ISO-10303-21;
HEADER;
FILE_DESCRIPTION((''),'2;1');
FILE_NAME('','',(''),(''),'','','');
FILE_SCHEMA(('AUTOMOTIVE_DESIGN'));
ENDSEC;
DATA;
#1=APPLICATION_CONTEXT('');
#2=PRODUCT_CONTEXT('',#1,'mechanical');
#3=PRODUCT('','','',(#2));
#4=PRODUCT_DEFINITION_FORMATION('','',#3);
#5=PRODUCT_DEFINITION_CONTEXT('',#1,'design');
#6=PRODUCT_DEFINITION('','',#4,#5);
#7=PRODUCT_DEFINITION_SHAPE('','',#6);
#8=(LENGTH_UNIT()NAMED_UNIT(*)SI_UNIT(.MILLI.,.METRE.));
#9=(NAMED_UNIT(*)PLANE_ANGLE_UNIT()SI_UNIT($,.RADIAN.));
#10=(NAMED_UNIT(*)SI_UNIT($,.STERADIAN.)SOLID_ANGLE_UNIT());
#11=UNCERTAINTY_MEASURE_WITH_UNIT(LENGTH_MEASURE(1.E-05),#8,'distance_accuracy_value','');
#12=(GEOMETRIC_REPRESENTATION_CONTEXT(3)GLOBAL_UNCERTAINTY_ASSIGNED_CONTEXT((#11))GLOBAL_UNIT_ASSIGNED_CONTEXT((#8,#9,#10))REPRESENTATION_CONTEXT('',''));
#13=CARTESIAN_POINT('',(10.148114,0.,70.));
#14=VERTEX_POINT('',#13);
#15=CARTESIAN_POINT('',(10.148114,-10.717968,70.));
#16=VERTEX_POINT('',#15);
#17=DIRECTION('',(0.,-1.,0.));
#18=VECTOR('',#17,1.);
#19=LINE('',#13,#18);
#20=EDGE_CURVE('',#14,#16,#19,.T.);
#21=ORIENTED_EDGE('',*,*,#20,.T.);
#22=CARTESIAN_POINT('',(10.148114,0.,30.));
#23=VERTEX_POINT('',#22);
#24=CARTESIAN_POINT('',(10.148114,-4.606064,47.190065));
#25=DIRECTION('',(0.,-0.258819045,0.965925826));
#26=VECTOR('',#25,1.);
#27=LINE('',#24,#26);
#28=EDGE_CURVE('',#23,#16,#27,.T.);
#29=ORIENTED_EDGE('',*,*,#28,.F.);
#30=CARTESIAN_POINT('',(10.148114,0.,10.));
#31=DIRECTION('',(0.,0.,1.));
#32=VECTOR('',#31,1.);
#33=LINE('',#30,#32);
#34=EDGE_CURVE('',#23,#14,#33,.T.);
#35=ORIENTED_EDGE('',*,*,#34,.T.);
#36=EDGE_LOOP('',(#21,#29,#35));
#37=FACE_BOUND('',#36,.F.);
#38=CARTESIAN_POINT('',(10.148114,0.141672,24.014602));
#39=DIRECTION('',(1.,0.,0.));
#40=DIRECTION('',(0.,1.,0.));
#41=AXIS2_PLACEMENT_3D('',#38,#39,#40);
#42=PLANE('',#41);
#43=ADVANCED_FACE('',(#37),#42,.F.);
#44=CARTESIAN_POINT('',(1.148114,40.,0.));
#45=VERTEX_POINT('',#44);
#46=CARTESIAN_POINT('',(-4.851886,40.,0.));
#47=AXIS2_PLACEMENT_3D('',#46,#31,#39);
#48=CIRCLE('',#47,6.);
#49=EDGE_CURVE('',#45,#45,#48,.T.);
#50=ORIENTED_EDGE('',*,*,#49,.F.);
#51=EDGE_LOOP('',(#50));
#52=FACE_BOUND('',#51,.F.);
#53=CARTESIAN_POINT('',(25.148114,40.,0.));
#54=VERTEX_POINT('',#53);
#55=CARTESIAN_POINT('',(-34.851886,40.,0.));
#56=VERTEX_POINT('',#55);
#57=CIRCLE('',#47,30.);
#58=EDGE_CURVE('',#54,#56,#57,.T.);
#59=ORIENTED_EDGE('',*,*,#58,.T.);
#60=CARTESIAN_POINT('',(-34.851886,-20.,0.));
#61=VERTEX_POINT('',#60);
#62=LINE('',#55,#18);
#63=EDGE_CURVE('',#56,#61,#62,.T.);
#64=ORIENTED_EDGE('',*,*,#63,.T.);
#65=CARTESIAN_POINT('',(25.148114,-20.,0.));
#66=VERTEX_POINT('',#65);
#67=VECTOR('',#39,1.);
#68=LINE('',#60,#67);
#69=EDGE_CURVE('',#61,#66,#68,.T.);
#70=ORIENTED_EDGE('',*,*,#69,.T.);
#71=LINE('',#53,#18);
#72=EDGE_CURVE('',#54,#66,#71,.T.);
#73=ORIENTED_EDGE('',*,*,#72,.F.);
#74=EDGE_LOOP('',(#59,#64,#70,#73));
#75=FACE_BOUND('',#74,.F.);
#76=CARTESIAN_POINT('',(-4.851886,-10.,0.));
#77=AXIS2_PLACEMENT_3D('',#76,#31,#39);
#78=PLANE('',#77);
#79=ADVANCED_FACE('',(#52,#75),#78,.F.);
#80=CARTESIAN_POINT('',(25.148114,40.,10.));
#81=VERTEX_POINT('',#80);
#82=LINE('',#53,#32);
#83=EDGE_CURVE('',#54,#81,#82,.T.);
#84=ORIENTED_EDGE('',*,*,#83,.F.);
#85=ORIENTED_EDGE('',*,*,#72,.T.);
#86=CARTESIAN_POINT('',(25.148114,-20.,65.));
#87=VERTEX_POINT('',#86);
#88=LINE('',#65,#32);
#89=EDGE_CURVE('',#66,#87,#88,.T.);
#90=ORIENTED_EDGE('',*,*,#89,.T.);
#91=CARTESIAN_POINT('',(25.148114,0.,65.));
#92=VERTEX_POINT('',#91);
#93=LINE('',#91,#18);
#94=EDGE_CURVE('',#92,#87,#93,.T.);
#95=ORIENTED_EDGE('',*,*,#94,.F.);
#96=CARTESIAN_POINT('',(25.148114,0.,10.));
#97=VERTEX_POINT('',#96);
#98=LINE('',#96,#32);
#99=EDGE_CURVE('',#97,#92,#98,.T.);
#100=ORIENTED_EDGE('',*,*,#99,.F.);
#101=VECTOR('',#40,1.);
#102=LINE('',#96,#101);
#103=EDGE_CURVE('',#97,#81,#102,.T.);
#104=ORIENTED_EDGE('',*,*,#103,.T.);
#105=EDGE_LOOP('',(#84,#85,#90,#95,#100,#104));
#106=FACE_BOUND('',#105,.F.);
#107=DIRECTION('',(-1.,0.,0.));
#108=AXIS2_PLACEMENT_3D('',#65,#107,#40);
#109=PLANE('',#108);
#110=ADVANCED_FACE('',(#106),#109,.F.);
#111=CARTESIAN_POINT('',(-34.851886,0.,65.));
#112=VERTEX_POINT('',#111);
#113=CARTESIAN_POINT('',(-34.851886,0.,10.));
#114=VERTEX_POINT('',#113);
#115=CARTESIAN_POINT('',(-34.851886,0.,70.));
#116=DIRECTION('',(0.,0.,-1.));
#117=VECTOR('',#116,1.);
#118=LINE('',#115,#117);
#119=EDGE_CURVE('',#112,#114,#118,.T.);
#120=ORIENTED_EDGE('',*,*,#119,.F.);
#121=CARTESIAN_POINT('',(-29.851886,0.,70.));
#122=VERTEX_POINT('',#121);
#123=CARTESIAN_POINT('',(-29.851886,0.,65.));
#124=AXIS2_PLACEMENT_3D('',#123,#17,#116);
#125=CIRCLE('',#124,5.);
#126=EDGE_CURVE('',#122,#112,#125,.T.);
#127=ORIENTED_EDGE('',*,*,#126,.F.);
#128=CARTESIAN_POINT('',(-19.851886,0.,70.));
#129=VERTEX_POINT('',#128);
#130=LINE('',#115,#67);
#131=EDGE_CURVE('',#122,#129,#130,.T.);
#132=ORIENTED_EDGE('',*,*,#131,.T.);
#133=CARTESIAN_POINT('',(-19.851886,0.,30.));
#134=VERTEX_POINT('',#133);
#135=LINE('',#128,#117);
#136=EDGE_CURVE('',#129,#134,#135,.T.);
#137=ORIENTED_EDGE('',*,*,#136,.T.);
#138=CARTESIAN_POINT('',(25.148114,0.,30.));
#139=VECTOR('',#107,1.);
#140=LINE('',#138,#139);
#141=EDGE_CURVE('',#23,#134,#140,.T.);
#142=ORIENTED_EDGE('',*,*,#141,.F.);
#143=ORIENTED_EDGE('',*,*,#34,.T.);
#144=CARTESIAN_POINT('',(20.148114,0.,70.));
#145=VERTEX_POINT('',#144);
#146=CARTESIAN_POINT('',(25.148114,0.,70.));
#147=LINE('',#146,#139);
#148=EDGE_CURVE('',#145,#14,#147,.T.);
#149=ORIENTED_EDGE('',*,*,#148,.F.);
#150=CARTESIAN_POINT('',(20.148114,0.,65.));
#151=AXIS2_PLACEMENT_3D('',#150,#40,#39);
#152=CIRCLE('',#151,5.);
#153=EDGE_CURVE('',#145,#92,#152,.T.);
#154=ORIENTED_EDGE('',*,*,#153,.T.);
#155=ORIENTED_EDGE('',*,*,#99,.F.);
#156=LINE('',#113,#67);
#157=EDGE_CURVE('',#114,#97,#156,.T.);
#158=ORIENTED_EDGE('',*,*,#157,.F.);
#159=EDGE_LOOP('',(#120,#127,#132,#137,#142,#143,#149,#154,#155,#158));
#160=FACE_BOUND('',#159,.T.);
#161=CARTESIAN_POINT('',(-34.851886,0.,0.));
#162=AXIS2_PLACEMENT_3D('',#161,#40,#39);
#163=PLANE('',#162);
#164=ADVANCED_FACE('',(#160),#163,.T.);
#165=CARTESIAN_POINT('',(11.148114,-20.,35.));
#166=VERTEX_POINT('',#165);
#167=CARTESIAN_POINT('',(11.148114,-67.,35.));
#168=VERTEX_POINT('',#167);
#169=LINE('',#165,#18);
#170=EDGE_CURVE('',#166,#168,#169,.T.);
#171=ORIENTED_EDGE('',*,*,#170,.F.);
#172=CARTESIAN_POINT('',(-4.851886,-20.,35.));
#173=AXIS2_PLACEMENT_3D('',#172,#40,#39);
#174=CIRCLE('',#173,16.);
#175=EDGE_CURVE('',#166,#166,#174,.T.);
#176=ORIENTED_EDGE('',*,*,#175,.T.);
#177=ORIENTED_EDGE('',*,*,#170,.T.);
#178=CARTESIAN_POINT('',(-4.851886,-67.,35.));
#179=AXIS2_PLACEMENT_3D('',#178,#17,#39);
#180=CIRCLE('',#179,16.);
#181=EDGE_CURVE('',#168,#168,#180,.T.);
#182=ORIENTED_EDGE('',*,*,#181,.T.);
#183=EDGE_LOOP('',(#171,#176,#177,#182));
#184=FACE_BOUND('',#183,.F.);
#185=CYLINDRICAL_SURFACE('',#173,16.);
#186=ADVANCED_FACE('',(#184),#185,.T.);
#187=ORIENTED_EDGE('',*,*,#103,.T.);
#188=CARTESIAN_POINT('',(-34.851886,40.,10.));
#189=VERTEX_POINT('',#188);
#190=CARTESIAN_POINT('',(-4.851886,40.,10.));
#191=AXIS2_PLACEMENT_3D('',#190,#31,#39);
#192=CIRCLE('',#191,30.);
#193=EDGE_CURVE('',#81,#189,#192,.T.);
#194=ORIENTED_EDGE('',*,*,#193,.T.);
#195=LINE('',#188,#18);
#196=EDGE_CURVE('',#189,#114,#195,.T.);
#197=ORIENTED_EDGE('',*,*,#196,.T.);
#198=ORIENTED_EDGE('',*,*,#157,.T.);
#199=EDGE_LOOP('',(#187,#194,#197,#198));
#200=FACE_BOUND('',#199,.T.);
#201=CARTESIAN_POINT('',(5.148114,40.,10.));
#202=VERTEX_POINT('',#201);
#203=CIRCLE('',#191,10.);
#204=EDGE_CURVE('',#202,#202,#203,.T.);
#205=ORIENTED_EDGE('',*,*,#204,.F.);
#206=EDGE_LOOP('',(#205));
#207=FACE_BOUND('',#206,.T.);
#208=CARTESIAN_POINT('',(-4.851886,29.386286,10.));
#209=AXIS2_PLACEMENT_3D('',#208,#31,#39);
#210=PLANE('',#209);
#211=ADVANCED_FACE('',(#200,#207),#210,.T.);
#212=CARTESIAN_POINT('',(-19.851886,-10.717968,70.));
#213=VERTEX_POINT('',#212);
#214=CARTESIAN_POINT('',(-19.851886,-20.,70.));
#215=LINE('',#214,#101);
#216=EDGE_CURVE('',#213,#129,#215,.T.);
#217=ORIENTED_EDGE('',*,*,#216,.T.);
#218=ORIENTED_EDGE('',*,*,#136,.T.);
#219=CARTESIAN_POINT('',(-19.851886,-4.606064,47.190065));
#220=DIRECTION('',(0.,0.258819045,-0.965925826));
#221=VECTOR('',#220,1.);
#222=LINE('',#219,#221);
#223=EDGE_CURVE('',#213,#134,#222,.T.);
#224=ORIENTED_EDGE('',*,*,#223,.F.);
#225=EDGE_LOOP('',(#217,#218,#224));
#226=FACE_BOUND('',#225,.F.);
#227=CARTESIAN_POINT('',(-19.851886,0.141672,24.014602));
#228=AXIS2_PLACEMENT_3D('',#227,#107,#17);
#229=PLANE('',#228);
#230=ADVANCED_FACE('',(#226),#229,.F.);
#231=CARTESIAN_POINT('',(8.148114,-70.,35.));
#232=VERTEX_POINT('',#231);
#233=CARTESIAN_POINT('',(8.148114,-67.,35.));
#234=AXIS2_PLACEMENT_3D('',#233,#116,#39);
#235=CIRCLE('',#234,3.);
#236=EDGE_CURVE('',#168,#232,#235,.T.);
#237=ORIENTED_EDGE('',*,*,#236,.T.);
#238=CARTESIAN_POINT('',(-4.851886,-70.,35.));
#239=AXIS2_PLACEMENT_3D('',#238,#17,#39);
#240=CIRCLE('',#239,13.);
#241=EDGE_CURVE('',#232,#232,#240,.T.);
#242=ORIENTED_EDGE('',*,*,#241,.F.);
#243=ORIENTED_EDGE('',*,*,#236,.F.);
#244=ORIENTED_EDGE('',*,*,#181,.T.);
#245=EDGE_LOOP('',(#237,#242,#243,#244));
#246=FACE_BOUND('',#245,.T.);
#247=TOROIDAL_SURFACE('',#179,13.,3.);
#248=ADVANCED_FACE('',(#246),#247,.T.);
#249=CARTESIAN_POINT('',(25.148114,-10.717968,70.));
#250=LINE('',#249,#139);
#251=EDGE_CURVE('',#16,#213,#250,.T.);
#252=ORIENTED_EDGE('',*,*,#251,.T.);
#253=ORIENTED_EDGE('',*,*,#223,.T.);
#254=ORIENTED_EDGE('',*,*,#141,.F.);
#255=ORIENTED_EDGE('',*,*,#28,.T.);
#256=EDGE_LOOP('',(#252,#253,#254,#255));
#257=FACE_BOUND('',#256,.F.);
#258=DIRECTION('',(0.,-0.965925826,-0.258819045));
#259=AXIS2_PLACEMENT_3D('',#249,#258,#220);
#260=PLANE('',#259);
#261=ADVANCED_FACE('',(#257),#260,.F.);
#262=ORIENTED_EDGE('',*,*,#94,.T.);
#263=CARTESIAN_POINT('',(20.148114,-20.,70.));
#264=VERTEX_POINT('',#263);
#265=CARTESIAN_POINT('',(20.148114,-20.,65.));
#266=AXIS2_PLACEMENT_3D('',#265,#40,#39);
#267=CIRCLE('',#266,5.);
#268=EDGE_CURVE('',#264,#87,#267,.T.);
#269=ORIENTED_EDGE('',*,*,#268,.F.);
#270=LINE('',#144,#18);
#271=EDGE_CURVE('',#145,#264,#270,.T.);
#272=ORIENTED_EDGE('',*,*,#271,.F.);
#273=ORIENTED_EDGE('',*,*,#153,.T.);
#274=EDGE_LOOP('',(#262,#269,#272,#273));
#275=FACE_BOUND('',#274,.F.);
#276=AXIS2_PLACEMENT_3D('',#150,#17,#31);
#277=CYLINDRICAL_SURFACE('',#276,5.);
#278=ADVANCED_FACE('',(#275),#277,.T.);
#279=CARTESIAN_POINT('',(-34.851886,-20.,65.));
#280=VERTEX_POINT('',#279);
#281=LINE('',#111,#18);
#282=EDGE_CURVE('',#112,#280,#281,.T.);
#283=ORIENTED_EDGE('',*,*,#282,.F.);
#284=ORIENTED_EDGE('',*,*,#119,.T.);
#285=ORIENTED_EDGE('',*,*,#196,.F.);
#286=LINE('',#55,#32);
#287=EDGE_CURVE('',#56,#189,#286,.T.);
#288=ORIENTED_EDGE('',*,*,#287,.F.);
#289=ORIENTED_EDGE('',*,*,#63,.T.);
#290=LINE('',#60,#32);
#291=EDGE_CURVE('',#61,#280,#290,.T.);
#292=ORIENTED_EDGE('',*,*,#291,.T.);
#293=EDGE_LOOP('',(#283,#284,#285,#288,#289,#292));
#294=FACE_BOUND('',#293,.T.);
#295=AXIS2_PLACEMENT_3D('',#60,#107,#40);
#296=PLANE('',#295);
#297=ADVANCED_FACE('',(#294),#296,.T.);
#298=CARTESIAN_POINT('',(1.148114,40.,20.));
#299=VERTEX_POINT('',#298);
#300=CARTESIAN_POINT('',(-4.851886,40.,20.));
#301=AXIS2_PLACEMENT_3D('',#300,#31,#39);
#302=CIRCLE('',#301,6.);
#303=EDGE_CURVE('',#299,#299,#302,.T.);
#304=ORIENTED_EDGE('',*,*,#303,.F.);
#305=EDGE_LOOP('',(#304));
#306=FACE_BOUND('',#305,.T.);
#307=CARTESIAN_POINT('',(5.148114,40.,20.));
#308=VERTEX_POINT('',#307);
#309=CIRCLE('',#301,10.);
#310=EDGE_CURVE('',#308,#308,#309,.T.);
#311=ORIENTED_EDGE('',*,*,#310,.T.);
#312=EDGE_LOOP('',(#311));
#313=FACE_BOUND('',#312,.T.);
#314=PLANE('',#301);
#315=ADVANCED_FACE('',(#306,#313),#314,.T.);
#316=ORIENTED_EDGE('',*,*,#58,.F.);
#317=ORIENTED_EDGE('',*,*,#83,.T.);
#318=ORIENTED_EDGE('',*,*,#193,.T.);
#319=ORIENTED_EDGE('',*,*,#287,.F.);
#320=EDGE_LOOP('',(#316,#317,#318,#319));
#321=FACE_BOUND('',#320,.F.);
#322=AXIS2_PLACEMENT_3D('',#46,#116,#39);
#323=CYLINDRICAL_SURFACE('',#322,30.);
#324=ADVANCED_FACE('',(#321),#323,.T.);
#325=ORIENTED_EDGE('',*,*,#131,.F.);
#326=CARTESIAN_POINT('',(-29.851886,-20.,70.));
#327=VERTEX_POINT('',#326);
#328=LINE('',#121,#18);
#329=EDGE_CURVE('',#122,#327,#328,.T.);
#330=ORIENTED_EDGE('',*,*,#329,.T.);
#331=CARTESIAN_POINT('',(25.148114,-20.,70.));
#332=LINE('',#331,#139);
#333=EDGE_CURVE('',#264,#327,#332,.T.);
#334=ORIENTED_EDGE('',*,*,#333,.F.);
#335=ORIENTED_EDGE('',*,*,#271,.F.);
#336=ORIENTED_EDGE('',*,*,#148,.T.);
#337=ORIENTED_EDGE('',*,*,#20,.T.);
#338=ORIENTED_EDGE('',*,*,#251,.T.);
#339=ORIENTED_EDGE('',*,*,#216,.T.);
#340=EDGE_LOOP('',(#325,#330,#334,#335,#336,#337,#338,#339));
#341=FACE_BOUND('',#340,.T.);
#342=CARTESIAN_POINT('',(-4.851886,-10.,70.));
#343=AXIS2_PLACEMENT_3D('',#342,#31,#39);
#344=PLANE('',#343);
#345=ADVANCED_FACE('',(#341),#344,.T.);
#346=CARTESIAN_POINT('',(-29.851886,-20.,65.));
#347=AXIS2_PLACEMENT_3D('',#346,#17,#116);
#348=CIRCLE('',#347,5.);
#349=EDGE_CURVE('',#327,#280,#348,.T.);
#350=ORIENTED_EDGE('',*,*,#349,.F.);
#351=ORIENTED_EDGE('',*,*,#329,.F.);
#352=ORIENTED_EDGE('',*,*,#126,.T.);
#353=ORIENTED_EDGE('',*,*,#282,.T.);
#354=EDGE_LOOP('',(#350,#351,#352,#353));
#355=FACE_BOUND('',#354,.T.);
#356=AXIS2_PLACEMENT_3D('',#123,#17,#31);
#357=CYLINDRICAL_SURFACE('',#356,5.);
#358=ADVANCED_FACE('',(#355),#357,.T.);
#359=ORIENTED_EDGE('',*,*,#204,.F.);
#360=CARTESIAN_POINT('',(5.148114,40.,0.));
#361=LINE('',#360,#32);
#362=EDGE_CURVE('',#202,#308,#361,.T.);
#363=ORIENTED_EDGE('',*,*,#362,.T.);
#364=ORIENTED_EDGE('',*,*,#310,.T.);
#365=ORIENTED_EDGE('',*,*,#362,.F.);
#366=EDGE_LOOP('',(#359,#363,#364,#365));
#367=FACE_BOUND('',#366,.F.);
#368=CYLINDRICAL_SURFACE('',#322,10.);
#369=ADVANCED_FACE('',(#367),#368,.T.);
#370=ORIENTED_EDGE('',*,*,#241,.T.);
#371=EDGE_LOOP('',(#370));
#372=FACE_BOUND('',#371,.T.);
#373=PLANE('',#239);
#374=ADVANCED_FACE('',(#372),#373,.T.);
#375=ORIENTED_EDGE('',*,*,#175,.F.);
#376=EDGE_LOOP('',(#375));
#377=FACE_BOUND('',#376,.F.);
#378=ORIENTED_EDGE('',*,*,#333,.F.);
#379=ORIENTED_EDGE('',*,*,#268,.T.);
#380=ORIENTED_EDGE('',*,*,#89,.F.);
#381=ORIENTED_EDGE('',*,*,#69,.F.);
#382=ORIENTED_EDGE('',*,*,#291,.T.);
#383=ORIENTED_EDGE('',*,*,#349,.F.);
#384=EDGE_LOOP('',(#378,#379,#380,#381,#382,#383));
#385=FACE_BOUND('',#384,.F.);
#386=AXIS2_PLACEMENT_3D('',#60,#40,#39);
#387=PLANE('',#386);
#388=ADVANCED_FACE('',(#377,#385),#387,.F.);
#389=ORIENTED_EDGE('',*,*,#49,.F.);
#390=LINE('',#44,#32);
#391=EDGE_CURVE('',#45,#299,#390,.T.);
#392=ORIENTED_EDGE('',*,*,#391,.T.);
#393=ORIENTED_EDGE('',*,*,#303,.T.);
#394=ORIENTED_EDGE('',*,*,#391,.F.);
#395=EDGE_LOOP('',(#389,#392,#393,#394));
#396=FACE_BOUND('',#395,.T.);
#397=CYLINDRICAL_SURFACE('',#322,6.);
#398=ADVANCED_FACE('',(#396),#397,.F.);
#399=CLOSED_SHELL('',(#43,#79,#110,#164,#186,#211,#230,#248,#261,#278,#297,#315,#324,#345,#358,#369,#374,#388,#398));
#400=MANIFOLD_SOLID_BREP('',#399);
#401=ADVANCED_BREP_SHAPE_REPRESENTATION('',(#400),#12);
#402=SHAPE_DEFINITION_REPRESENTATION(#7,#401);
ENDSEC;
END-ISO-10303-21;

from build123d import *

# Parameters (mm, degrees)
F0_R      = 10
F1_DEPTH  = 10
F0_R_2    = 6
F2_DEPTH  = 20
F0_W      = 60
F0_H      = 20
F3_DEPTH  = 70
F4_R      = 16
F5_DEPTH  = 50
F6_R      = 3
F9_DEPTH  = 65.1
F10_DEPTH = 15
F11_DEPTH = 15
F12_R     = 5
F13_R     = 5


with BuildPart() as f1:
    # F0 (on Top) → F1 (new body)
    with BuildSketch(Plane.XY):
        with BuildLine():
            Line((-34.851886332, 40), (-34.851886332, 0))
            Line((-34.851886332, 0), (25.148113668, 0))
            Line((25.148113668, 0), (25.148113668, 40))
            ThreePointArc((25.148113668, 40), (16.3613171036, 61.2132034356), (-4.851886332, 70))
            ThreePointArc((-4.851886332, 70), (-26.0650897676, 61.2132034356), (-34.851886332, 40))
        make_face()
        with Locations((-4.851886332, 40)):
            Circle(F0_R, mode=Mode.SUBTRACT)
    extrude(amount=F1_DEPTH)

    # F0 (on Top) → F2 (join)
    with BuildSketch(Plane.XY):
        with Locations((-4.851886332, 40)):
            Circle(F0_R)
        with Locations((-4.851886332, 40)):
            Circle(F0_R_2, mode=Mode.SUBTRACT)
    extrude(amount=F2_DEPTH)

    # F0 (on Top) → F3 (join)
    with BuildSketch(Plane.XY):
        with Locations((-4.851886332, -10)):
            Rectangle(F0_W, F0_H)
    extrude(amount=F3_DEPTH)

    # F4 (on face) → F5 (join)
    with BuildSketch(Plane.XZ.offset(20)):
        with Locations((-4.851886332, 35)):
            Circle(F4_R)
    extrude(amount=F5_DEPTH)

    # F6
    f6_edges = [f1.edges().sort_by_distance(p)[0] for p in [
        (-20.851886, -70, 35),
    ]]
    fillet(f6_edges, radius=F6_R)

    # F7 (on face) → F9 (cut)
    with BuildSketch(Plane.YZ.offset(25.148113668)):
        Polygon((0, 30), (0, 70), (-10.7179676972, 70), align=None)
    extrude(amount=-F9_DEPTH, mode=Mode.SUBTRACT)

    # F8 (on face) → F10 (join)
    with BuildSketch(Plane(origin=(-34.851886332, 0, 0), x_dir=(0, -1, 0), z_dir=(-1, 0, 0))):
        Polygon((10.7179676972, 70), (0, 30), (0, 10), (-40, 10), (-40, 0), (20, 0), (20, 70), align=None)
        Polygon((10.7179676972, 70), (0, 70), (0, 30), align=None)
    extrude(amount=-F10_DEPTH)

    # F7 (on face) → F11 (join)
    with BuildSketch(Plane.YZ.offset(25.148113668)):
        Polygon((0, 10), (0, 30), (-10.7179676972, 70), (-20, 70), (-20, 0), (40, 0), (40, 10), align=None)
        Polygon((0, 30), (0, 70), (-10.7179676972, 70), align=None)
    extrude(amount=-F11_DEPTH)

    # F12
    f12_edges = [f1.edges().sort_by_distance(p)[0] for p in [
        (-34.851886, -10, 70),
    ]]
    fillet(f12_edges, radius=F12_R)

    # F13
    f13_edges = [f1.edges().sort_by_distance(p)[0] for p in [
        (25.148114, -10, 70),
    ]]
    fillet(f13_edges, radius=F13_R)


solid = f1.part
